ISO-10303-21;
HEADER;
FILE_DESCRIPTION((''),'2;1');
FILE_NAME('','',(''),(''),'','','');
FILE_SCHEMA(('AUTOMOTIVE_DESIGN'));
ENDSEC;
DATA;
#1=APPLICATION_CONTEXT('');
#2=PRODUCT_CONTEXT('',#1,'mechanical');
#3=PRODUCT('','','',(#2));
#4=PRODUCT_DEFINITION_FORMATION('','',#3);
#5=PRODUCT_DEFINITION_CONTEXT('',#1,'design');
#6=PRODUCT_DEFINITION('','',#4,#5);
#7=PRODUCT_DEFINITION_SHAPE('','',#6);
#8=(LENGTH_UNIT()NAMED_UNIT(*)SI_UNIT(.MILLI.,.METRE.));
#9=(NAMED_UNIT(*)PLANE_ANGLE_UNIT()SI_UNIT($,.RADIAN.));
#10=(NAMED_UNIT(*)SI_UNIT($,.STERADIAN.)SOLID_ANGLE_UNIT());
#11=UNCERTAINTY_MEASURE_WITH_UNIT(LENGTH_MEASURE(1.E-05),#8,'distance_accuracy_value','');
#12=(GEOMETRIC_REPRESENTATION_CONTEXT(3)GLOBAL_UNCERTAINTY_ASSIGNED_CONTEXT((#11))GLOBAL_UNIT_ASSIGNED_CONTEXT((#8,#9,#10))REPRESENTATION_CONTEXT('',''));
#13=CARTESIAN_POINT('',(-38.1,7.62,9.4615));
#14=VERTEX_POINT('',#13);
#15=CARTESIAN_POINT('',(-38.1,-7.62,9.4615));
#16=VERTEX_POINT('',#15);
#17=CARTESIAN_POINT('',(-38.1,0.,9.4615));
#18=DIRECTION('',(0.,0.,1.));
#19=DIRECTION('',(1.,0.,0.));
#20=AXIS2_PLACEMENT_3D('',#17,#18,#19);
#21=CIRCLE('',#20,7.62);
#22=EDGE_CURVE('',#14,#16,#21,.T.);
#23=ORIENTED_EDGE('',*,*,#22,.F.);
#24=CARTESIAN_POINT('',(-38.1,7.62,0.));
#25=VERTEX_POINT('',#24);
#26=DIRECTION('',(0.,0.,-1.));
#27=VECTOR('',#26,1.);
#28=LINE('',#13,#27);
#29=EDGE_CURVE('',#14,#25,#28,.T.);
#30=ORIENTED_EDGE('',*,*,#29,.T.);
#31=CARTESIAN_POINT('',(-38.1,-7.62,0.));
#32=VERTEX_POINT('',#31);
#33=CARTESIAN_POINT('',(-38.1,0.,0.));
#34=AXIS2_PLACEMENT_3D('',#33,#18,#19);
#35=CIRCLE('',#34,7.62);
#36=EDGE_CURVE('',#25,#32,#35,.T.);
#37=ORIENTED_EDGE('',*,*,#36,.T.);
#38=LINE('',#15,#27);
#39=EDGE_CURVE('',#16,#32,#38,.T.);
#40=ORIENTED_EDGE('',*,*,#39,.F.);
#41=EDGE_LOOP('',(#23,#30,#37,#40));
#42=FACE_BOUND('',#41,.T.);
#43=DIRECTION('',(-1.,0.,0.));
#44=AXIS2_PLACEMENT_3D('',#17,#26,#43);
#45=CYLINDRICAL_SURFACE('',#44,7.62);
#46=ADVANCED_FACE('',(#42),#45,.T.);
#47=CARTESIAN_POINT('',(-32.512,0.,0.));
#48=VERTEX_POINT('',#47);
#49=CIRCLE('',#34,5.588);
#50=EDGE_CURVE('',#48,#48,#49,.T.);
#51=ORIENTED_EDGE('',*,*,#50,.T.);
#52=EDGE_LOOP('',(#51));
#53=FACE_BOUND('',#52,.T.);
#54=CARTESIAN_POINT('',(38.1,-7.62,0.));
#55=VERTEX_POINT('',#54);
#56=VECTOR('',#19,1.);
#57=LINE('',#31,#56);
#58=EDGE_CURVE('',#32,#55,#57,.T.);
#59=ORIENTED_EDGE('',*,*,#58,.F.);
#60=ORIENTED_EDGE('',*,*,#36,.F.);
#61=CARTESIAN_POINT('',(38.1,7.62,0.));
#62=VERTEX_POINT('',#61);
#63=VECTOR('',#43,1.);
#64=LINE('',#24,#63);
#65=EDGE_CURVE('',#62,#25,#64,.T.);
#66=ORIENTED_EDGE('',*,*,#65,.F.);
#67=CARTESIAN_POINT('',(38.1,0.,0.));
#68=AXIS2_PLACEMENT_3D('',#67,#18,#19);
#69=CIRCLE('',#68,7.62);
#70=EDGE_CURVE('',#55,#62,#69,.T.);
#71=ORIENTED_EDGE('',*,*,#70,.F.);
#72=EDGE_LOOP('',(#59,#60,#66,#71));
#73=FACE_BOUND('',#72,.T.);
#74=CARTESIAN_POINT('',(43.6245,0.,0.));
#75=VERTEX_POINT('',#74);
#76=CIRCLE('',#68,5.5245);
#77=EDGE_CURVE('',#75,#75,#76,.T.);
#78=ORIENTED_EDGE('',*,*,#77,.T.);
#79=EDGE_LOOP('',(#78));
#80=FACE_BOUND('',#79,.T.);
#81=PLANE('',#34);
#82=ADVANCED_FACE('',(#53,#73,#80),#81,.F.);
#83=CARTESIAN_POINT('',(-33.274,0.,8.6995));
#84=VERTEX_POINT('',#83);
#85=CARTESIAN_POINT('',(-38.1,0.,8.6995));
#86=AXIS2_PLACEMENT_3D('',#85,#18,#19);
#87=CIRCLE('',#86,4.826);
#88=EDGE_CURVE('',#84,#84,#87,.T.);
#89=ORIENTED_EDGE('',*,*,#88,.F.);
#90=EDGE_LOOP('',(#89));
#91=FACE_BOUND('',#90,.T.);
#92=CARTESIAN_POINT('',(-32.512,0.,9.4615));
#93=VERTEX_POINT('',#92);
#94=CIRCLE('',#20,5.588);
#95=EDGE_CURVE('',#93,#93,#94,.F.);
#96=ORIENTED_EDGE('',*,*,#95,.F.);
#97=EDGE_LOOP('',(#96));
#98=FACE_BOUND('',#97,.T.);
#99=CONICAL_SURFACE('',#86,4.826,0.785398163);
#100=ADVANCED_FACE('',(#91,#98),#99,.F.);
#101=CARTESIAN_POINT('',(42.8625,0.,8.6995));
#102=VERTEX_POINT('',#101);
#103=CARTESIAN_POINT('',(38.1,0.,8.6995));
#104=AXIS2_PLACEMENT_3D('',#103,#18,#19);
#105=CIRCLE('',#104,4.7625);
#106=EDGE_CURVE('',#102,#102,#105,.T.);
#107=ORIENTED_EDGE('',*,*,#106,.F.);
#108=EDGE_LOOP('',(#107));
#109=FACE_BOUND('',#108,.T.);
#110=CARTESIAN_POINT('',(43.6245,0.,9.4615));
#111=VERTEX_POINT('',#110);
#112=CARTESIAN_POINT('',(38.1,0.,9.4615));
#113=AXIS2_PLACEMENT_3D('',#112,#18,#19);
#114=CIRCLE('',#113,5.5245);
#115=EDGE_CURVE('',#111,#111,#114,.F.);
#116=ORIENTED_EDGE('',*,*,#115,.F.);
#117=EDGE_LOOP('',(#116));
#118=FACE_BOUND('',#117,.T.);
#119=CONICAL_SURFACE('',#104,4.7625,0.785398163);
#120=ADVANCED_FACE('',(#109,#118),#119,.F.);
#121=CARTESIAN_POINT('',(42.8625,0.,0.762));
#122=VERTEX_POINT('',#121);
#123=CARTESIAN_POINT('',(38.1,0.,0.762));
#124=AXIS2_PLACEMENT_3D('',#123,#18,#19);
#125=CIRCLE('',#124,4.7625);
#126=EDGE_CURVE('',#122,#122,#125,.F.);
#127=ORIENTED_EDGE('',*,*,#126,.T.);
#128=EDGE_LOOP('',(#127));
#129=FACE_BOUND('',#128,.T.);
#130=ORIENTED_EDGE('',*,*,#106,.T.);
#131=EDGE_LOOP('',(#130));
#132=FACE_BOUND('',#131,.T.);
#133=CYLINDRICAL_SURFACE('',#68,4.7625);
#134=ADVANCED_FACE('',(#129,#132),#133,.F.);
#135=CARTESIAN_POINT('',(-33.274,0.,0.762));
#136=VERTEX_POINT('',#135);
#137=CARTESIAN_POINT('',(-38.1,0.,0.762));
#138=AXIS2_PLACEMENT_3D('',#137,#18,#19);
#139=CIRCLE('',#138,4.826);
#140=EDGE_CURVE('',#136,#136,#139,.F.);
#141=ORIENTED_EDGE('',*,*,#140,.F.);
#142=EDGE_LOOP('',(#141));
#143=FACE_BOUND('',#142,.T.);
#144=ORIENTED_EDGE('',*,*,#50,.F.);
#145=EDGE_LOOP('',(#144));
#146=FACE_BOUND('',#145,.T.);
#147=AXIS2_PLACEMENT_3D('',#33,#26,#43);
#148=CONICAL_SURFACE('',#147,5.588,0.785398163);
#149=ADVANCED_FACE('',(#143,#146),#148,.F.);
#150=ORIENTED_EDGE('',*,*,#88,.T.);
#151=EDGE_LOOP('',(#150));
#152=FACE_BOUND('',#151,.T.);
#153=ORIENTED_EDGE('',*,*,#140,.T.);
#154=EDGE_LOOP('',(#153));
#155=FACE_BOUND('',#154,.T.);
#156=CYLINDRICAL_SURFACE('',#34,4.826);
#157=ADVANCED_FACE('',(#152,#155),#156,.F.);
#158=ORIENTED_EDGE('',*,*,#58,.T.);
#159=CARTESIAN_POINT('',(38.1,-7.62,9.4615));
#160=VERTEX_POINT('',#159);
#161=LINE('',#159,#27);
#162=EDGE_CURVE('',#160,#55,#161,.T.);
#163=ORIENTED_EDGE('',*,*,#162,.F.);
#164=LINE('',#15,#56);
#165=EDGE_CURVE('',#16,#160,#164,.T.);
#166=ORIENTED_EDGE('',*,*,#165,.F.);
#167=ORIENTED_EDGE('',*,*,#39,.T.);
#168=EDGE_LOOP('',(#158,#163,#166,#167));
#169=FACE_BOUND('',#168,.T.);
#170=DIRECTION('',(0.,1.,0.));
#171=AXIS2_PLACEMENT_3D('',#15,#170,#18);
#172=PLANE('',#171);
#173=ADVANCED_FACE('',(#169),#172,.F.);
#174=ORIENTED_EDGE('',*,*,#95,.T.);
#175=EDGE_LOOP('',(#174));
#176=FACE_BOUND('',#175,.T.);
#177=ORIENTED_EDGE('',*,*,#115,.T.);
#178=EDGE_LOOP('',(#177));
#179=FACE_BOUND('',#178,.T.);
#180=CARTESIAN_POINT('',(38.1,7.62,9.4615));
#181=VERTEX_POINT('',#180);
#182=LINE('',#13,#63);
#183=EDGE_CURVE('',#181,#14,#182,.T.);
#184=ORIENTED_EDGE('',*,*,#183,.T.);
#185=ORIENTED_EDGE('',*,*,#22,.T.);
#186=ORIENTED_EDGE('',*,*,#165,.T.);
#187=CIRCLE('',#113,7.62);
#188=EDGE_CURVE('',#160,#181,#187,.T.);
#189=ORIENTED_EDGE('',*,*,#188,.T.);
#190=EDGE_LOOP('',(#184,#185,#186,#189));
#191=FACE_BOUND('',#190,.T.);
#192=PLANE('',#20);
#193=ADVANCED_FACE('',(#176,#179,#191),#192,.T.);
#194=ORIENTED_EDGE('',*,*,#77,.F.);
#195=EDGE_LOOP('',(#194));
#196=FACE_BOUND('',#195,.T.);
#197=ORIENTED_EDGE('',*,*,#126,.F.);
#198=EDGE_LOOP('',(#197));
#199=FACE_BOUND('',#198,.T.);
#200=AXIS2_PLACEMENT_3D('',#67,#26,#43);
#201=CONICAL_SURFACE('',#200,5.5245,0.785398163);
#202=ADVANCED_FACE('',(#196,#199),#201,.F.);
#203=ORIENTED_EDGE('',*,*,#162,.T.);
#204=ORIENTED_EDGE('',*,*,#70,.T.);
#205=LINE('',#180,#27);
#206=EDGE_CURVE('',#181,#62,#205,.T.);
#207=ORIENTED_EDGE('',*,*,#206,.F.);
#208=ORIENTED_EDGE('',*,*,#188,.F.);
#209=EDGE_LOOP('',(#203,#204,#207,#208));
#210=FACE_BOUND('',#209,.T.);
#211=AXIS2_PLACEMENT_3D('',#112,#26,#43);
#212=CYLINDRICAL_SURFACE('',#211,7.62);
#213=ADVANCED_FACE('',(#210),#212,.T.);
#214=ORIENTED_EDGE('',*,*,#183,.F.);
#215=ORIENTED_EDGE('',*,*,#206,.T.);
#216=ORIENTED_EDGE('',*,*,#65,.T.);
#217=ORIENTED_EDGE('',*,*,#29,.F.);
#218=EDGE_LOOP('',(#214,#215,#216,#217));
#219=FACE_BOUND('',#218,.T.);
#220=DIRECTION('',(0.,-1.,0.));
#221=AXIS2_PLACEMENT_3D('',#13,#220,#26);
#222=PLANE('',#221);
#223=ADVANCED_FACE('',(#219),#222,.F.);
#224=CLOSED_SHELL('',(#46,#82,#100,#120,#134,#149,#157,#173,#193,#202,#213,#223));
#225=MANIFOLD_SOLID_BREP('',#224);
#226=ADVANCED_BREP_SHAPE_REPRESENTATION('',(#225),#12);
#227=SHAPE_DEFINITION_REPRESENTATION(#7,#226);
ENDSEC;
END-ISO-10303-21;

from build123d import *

# Parameters (mm, degrees)
BOSS_EXTRUDE1_DEPTH = 9.4615
SKETCH2_R           = 4.7625
SKETCH2_R_2         = 4.826
CUT_EXTRUDE1_DEPTH  = 10.4615
CHAMFER1_SIZE       = 0.762


with BuildPart() as part:
    # Sketch1 → Boss-Extrude1 (new body)
    with BuildSketch(Plane.XY):
        with BuildLine():
            Line((-38.1, 7.62), (38.1, 7.62))
            ThreePointArc((38.1, 7.62), (45.72, 0), (38.1, -7.62))
            Line((38.1, -7.62), (-38.1, -7.62))
            ThreePointArc((-38.1, -7.62), (-45.72, 0), (-38.1, 7.62))
        make_face()
    extrude(amount=BOSS_EXTRUDE1_DEPTH)

    # Sketch2 → Cut-Extrude1 (cut, through all)
    with BuildSketch(Plane.XY.offset(9.4615)):
        with Locations((38.1, 0)):
            Circle(SKETCH2_R)
        with Locations((-38.1, 0)):
            Circle(SKETCH2_R_2)
    extrude(amount=-CUT_EXTRUDE1_DEPTH, mode=Mode.SUBTRACT)

    # Chamfer1
    chamfer1_edges = [part.edges().sort_by_distance(p)[0] for p in [
        (33.3375, 0, 0),
        (33.3375, 0, 9.4615),
        (-42.926, 0, 0),
        (-42.926, 0, 9.4615),
    ]]
    chamfer(chamfer1_edges, length=CHAMFER1_SIZE)


solid = part.part
